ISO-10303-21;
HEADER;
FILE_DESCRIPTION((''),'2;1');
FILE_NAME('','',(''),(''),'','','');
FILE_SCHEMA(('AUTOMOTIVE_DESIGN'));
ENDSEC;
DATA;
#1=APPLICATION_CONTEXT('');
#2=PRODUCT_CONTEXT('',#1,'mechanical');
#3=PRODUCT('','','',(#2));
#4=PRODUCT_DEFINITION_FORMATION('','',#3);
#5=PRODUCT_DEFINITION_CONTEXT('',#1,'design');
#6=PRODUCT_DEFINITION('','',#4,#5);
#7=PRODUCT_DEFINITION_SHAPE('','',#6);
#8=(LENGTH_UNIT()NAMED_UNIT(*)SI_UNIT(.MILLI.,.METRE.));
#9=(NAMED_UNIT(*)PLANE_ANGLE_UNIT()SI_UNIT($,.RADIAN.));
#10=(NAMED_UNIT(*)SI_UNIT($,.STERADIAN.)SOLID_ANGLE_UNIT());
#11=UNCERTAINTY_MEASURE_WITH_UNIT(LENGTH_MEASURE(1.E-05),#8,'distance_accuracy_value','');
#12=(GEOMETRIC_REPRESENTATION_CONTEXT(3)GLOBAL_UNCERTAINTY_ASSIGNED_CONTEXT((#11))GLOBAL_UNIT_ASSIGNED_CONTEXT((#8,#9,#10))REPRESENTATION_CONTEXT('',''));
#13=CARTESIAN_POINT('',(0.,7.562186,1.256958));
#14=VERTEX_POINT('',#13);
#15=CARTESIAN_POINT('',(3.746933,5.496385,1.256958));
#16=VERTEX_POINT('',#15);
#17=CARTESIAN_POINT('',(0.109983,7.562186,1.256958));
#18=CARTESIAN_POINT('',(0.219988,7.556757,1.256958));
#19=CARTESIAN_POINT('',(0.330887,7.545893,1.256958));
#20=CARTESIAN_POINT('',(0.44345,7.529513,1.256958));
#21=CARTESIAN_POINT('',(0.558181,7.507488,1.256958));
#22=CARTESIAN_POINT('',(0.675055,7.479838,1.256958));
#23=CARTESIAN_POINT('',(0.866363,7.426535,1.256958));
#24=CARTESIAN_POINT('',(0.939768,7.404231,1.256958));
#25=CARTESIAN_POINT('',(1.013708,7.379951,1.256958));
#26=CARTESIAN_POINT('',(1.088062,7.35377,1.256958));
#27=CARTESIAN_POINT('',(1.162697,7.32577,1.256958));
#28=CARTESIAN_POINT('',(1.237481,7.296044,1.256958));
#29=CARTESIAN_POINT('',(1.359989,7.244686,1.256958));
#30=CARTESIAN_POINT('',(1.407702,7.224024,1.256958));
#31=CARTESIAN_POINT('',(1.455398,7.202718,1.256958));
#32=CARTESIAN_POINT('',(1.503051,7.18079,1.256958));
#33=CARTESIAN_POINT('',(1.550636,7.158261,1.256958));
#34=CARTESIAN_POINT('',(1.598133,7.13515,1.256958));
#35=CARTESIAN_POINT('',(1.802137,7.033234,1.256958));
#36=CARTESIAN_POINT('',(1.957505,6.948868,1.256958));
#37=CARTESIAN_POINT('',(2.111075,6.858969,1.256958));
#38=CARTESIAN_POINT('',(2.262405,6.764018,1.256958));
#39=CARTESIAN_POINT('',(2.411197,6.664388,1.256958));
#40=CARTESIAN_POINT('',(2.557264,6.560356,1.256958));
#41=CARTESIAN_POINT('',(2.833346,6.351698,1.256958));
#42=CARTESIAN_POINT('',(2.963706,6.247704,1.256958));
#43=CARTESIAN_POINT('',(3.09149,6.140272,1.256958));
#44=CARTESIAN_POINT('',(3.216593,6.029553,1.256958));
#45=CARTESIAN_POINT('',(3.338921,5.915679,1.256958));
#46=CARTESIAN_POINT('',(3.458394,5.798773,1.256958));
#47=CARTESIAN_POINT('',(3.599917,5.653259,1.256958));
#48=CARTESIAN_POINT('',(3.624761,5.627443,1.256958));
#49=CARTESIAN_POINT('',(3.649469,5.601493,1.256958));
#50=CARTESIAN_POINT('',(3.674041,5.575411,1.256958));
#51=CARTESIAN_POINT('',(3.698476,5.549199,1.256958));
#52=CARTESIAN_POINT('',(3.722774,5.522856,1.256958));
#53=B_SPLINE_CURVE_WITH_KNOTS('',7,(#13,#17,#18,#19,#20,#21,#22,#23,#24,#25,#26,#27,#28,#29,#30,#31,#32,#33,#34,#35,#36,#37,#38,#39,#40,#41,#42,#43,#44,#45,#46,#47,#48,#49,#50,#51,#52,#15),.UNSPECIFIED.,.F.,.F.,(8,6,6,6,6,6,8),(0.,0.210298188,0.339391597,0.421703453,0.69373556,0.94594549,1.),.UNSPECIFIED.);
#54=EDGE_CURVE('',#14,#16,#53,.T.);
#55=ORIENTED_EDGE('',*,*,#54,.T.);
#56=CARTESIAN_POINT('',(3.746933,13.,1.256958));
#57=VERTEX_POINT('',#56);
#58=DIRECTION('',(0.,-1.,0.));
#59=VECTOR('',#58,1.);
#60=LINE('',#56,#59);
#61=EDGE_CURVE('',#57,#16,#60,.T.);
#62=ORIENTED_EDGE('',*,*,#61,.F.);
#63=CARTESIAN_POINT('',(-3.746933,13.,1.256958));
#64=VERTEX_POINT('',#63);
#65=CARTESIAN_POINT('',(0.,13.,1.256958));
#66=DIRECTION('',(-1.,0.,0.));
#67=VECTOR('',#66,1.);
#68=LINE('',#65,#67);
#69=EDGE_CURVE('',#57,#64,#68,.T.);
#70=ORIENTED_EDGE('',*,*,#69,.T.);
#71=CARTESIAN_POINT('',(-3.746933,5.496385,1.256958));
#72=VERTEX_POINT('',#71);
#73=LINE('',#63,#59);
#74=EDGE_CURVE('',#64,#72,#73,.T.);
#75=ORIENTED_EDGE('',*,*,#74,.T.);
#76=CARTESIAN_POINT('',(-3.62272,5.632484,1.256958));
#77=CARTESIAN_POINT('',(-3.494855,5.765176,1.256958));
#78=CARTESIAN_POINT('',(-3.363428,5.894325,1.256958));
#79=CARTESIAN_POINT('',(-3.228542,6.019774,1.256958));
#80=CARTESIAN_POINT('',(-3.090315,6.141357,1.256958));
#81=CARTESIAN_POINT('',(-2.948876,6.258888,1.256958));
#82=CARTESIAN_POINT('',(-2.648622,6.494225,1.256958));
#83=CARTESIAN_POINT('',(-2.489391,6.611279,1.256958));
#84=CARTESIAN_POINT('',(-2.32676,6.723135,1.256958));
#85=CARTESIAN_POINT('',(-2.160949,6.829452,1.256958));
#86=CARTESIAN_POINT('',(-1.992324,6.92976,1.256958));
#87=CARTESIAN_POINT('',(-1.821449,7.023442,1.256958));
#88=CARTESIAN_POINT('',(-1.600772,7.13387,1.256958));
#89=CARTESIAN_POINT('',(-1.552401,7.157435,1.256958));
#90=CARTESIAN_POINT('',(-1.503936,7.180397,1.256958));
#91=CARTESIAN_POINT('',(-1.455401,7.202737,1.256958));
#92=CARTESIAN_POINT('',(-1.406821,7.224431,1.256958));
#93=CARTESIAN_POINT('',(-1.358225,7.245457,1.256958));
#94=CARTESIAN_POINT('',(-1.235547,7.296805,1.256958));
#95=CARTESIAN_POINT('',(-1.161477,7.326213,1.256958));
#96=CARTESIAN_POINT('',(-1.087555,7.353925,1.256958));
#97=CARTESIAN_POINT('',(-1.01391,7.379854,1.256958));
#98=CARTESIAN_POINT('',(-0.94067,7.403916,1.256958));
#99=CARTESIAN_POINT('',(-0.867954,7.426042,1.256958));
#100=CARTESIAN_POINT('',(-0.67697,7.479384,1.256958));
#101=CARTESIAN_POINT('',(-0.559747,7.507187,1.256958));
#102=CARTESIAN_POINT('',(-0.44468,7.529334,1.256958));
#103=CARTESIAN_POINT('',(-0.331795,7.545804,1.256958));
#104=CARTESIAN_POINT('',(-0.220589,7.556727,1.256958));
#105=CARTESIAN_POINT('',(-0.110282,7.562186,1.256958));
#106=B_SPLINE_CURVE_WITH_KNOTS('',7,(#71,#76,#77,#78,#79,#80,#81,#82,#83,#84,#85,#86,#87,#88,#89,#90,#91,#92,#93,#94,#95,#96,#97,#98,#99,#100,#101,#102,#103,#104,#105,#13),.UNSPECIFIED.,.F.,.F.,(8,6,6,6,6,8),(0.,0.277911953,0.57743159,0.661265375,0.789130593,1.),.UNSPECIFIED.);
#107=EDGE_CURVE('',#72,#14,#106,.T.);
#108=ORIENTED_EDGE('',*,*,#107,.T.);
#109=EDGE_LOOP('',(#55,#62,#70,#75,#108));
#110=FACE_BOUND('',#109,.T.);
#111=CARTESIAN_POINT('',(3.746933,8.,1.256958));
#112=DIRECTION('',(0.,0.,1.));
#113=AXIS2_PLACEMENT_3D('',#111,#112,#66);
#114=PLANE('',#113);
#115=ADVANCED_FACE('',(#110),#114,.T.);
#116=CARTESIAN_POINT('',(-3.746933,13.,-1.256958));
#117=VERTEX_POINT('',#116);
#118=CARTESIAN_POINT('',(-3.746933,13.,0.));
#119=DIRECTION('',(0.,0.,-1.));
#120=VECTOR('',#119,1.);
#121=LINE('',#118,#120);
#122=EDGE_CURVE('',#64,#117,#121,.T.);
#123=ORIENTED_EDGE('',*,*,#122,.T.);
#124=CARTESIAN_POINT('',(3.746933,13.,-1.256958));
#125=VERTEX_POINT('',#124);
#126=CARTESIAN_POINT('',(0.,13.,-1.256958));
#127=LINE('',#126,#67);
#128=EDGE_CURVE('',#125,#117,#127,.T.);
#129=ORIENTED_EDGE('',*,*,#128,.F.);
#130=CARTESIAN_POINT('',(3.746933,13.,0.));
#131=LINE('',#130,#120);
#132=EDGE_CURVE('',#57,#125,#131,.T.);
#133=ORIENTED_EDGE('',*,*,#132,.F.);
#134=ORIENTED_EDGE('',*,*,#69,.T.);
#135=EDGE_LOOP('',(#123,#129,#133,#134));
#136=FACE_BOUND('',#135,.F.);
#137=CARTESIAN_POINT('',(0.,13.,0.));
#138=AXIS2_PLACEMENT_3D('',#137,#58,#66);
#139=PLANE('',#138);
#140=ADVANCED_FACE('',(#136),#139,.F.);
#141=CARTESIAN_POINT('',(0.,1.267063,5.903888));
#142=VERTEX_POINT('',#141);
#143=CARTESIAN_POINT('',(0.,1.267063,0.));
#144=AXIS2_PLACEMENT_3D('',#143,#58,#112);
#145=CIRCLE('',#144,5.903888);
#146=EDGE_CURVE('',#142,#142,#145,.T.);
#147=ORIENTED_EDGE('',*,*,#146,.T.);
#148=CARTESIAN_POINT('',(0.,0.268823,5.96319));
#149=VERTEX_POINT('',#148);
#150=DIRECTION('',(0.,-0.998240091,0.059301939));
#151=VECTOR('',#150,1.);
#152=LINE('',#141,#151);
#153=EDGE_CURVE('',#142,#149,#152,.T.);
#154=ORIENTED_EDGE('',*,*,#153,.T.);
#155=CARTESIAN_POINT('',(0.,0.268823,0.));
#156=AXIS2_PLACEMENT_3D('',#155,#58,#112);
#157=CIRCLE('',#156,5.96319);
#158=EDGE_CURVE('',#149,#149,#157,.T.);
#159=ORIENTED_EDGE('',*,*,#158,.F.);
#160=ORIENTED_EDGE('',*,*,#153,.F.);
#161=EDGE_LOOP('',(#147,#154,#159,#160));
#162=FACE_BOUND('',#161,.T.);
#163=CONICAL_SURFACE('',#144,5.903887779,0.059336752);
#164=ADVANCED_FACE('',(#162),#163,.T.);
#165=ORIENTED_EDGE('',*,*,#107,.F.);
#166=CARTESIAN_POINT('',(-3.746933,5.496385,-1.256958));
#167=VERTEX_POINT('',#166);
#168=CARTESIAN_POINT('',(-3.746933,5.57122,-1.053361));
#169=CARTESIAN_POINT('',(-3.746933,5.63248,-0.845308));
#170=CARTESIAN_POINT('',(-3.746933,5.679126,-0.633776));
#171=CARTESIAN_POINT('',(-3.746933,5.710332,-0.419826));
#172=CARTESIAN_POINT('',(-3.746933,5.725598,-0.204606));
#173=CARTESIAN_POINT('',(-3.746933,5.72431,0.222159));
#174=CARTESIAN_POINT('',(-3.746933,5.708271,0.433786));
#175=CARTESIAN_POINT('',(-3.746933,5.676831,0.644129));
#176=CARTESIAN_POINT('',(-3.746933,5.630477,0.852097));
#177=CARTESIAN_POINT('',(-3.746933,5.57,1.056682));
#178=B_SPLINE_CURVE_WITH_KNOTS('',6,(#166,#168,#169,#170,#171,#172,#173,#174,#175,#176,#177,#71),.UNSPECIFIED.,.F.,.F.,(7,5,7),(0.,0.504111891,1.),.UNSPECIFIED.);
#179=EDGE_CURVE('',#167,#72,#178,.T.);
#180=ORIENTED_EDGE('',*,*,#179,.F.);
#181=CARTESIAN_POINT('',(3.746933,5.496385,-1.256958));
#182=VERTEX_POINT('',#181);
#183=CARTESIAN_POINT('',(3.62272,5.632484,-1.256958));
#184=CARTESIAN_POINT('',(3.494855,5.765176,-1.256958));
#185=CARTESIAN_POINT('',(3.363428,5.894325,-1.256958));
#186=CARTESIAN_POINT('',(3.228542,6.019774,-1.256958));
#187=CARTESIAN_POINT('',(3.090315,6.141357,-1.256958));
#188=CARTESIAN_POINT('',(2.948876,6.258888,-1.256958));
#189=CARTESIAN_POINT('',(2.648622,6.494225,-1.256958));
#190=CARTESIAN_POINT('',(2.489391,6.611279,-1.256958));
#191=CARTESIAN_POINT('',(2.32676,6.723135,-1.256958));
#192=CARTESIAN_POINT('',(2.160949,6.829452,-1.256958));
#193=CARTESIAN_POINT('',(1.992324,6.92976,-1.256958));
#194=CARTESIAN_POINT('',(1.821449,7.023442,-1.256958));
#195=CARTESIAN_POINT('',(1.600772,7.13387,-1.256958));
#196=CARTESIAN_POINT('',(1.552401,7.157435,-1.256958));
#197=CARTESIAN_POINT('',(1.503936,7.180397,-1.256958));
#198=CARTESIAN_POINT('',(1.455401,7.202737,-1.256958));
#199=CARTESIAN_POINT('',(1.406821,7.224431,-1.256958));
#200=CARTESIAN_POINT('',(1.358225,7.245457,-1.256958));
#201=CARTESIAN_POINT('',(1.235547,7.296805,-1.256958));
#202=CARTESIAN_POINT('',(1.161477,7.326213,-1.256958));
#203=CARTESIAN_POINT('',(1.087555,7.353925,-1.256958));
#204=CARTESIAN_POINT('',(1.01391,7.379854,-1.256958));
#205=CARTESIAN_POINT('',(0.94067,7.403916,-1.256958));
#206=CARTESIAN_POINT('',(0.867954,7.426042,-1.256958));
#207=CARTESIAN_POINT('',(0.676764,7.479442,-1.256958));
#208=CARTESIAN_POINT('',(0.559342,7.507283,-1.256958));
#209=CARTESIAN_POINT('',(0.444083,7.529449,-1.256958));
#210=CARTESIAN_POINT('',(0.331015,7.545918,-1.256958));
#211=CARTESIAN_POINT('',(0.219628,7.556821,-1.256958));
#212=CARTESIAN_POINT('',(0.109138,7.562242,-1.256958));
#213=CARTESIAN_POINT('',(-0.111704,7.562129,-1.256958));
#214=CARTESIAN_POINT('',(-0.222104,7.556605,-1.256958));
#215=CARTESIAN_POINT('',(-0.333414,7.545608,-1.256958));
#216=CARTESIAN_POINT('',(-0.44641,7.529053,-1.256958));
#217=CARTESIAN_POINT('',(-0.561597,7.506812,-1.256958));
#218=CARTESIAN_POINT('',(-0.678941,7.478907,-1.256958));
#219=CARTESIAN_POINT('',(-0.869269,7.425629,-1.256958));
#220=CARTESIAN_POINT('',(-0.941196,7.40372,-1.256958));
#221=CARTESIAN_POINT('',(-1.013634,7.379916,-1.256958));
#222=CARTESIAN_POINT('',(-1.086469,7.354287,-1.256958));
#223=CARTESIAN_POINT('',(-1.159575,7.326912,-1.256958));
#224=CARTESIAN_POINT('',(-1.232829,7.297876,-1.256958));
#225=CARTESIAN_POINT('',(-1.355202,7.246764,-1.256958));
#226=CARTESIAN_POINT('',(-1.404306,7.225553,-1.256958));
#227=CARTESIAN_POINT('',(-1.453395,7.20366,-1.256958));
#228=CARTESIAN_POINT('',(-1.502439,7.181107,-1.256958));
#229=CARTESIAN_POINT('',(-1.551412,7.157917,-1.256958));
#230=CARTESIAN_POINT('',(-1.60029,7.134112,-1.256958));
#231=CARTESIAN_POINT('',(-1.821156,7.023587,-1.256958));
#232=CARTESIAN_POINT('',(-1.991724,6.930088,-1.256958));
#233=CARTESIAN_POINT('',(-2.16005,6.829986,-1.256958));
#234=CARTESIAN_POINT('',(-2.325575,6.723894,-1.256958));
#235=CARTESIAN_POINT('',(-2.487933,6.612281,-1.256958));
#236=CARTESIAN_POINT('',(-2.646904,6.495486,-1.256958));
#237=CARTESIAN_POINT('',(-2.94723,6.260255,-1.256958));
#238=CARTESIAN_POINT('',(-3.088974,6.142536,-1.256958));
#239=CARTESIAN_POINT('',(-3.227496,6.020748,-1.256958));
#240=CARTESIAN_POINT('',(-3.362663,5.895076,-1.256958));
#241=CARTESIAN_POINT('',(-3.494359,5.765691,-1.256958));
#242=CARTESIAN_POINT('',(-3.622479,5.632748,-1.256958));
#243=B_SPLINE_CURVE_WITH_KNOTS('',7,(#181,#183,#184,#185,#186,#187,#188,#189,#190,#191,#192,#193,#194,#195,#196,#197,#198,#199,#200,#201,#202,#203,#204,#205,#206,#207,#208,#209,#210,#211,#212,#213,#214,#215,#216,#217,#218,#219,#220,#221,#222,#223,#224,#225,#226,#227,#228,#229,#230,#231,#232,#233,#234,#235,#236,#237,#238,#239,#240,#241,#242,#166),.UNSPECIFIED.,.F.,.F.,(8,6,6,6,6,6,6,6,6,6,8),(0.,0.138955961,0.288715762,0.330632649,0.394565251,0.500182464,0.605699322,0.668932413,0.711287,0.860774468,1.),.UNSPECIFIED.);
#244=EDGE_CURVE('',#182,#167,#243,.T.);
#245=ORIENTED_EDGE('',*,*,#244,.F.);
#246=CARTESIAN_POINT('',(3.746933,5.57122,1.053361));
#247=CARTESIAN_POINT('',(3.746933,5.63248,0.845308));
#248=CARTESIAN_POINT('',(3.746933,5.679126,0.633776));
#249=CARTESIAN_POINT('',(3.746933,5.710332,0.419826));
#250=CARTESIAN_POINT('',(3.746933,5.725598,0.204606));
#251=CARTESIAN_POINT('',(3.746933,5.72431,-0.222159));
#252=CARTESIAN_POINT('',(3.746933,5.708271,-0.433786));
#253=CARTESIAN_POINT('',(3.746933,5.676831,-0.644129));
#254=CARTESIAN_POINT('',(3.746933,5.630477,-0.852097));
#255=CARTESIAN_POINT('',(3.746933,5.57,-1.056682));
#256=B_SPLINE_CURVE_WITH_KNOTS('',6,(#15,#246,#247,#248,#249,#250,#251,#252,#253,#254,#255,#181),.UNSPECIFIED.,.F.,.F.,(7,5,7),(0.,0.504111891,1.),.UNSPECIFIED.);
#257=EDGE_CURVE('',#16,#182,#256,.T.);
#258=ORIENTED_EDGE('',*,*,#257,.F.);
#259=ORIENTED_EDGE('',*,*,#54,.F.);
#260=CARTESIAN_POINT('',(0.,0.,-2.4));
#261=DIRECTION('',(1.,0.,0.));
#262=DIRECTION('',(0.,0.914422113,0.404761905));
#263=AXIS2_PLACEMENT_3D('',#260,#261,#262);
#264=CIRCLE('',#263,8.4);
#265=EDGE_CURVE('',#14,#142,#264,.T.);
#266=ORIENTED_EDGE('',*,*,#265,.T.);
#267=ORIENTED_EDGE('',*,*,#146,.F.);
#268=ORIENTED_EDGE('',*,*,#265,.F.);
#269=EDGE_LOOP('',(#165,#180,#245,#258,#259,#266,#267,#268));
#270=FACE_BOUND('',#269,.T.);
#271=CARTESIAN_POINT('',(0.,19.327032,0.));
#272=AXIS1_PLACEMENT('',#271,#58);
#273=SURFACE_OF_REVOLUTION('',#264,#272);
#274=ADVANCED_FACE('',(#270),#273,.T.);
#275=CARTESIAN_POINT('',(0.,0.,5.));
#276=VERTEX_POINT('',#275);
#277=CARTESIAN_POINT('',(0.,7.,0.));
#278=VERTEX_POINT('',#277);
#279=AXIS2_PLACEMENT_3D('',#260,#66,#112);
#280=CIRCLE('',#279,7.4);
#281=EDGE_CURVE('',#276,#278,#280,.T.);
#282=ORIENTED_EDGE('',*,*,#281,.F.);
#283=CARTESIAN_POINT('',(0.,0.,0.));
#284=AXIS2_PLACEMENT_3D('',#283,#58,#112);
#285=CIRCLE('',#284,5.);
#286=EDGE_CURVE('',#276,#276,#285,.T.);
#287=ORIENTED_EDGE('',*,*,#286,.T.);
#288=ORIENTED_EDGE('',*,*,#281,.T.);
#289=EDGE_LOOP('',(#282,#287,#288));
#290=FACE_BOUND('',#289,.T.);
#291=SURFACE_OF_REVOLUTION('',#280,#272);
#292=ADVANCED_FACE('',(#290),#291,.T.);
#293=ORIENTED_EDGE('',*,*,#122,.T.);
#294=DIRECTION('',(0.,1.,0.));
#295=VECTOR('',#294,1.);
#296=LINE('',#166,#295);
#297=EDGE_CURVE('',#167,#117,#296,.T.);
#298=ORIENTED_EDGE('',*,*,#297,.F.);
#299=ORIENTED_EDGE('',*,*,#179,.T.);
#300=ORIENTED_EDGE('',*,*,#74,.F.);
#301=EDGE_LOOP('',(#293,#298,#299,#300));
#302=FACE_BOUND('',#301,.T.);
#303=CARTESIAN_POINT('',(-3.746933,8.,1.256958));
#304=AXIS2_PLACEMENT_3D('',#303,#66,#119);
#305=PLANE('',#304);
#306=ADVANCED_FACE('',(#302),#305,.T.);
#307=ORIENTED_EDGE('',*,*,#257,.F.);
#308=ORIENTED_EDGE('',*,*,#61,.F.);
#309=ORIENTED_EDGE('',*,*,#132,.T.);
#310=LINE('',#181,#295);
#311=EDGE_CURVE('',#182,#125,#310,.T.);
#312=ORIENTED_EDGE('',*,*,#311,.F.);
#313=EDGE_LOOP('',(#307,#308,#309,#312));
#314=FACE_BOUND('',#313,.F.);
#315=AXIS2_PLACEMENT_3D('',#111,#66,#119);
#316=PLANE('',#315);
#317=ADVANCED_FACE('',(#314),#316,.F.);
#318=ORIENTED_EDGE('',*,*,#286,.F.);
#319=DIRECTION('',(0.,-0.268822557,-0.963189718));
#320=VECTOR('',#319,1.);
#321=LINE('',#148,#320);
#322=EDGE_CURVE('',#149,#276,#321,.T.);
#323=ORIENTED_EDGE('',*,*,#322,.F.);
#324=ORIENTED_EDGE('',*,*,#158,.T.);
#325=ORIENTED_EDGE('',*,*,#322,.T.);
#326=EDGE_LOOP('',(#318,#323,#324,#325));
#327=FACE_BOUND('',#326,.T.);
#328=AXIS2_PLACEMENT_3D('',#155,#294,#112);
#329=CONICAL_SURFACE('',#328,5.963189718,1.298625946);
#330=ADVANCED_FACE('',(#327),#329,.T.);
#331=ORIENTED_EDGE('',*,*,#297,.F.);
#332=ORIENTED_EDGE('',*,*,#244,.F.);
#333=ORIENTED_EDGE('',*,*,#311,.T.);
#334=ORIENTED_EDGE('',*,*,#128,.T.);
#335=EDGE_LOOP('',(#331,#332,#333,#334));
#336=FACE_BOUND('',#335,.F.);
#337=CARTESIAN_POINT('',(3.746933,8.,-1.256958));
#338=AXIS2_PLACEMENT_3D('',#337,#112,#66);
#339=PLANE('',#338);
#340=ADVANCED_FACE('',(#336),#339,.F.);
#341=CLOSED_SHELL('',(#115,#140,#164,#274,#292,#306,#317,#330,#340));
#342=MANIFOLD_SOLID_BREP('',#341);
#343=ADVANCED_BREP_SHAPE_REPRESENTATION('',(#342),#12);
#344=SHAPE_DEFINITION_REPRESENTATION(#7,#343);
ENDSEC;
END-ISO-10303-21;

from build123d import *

# Parameters (mm, degrees)
BOSS_EXTRU_2_REACH             = 10
ESQUISSE3_W                    = 7.493865796
ESQUISSE3_H                    = 2.51391664
BOSS_EXTRU_2_DIRECTION_2_DEPTH = 5


with BuildPart() as part:
    # Esquisse1 → R_volution2 (revolve)
    with BuildSketch(Plane(origin=(0, 0, 0), x_dir=(0, 0, -1), z_dir=(1, 0, 0)), mode=Mode.PRIVATE) as r_volution2_sk:
        with BuildLine():
            Line((0, 7), (0, 8))
            Line((0, 8), (1, 7.681145748))
            ThreePointArc((1, 7.681145748), (4.273107431, 5.101924854), (5.903887779, 1.267062649))
            Line((5.903887779, 1.267062649), (5.963189718, 0.268822557))
            Line((5.963189718, 0.268822557), (5, 0))
            ThreePointArc((5, 0), (3.621627687, 4.301162634), (0, 7))
        make_face()
    revolve(r_volution2_sk.sketch.rotate(Axis((0, 19.327032319, 0), (0, -1, 0)), 180), axis=Axis((0, 19.327032319, 0), (0, -1, 0)))  # turned: the seam where the file's is

    # Esquisse3 → Boss.-Extru.2 (add, up to next)
    with BuildSketch(Plane(origin=(0, 8, 0), x_dir=(-1, 0, 0), z_dir=(0, -1, 0)), mode=Mode.PRIVATE) as boss_extru_2_sk1:
        Rectangle(ESQUISSE3_W, ESQUISSE3_H)
    boss_extru_2_tool1 = extrude(boss_extru_2_sk1.sketch, amount=BOSS_EXTRU_2_REACH, mode=Mode.PRIVATE) - part.part
    add(boss_extru_2_tool1.solids().sort_by_distance((0, 8, 0))[0])

    # Esquisse3 → Boss.-Extru.2 direction 2 (add)
    with BuildSketch(Plane(origin=(0, 8, 0), x_dir=(-1, 0, 0), z_dir=(0, -1, 0))):
        Rectangle(ESQUISSE3_W, ESQUISSE3_H)
    extrude(amount=-BOSS_EXTRU_2_DIRECTION_2_DEPTH)


solid = part.part
